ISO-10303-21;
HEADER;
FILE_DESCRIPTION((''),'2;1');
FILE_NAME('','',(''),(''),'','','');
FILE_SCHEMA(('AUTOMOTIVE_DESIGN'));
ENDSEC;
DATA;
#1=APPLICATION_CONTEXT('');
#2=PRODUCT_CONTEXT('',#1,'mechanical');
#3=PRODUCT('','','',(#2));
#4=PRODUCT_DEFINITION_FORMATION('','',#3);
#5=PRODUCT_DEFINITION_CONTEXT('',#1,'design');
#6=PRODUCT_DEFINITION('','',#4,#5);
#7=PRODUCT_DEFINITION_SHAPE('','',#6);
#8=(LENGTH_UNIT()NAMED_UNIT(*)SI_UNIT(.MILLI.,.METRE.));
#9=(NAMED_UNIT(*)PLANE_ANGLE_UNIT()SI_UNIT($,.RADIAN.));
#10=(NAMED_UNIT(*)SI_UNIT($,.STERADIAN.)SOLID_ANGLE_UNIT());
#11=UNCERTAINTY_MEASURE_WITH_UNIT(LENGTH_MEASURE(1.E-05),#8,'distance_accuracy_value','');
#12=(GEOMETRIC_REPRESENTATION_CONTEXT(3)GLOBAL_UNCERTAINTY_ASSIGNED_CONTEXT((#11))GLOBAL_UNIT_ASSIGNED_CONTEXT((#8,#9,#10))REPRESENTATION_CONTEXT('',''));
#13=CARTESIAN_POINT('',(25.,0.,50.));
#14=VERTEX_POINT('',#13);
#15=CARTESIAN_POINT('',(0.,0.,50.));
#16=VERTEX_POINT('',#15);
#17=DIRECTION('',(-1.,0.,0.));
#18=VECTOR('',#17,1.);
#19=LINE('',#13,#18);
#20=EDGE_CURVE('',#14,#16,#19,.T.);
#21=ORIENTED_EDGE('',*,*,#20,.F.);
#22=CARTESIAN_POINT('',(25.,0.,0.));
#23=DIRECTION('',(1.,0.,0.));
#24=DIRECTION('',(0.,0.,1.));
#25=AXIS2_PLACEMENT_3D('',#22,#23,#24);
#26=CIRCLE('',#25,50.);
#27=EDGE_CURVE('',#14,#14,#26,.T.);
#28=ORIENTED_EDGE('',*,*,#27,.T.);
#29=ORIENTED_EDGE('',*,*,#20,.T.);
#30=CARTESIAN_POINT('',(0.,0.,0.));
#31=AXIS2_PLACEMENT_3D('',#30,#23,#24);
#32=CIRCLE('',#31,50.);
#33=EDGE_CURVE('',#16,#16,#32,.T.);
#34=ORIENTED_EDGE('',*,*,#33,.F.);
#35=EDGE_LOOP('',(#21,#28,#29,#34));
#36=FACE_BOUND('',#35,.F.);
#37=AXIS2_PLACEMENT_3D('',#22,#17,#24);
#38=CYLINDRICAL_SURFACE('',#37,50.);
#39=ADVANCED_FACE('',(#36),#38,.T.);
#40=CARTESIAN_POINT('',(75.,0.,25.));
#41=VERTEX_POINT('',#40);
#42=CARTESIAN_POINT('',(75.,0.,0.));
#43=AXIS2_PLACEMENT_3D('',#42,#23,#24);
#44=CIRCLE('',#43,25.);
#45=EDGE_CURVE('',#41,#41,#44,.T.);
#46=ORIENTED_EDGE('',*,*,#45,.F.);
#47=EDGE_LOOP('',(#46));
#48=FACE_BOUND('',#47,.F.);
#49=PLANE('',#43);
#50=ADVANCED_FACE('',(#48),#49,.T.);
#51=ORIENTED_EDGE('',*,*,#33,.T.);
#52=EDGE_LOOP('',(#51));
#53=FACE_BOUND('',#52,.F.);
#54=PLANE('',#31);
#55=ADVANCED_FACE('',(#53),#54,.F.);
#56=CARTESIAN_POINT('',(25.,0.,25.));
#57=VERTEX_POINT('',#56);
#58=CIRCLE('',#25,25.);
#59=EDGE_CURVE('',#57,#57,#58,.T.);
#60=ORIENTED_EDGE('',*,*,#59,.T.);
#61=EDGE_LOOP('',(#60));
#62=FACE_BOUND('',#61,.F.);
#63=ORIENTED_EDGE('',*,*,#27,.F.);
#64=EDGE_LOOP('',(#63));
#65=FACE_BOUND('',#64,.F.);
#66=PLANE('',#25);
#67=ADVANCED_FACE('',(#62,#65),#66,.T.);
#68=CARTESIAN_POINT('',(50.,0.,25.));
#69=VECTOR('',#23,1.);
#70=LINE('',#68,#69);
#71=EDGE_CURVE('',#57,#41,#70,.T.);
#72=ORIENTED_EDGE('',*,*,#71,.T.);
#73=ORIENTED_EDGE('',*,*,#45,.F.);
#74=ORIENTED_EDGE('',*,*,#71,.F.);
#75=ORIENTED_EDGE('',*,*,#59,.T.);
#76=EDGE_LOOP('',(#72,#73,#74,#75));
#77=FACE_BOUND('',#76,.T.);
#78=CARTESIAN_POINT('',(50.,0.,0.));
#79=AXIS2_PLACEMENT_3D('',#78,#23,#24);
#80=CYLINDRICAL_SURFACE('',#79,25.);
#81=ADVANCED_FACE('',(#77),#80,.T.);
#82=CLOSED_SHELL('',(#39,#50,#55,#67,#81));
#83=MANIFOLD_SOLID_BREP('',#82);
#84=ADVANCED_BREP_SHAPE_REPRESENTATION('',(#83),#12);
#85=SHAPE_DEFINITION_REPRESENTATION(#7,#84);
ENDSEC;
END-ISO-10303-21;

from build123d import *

# Parameters (mm, degrees)
F0_W = 50
F0_H = 25


with BuildPart() as f1:
    # F0 (on Front) → F1 (revolve)
    with BuildSketch(Plane.XZ):
        Polygon((0, 50), (0, 0), (25, 0), (25, 25), (25, 50), align=None)
        with Locations((50, 12.5)):
            Rectangle(F0_W, F0_H)
    revolve(axis=Axis((37.5, 0, 0), (1, 0, 0)))


solid = f1.part
